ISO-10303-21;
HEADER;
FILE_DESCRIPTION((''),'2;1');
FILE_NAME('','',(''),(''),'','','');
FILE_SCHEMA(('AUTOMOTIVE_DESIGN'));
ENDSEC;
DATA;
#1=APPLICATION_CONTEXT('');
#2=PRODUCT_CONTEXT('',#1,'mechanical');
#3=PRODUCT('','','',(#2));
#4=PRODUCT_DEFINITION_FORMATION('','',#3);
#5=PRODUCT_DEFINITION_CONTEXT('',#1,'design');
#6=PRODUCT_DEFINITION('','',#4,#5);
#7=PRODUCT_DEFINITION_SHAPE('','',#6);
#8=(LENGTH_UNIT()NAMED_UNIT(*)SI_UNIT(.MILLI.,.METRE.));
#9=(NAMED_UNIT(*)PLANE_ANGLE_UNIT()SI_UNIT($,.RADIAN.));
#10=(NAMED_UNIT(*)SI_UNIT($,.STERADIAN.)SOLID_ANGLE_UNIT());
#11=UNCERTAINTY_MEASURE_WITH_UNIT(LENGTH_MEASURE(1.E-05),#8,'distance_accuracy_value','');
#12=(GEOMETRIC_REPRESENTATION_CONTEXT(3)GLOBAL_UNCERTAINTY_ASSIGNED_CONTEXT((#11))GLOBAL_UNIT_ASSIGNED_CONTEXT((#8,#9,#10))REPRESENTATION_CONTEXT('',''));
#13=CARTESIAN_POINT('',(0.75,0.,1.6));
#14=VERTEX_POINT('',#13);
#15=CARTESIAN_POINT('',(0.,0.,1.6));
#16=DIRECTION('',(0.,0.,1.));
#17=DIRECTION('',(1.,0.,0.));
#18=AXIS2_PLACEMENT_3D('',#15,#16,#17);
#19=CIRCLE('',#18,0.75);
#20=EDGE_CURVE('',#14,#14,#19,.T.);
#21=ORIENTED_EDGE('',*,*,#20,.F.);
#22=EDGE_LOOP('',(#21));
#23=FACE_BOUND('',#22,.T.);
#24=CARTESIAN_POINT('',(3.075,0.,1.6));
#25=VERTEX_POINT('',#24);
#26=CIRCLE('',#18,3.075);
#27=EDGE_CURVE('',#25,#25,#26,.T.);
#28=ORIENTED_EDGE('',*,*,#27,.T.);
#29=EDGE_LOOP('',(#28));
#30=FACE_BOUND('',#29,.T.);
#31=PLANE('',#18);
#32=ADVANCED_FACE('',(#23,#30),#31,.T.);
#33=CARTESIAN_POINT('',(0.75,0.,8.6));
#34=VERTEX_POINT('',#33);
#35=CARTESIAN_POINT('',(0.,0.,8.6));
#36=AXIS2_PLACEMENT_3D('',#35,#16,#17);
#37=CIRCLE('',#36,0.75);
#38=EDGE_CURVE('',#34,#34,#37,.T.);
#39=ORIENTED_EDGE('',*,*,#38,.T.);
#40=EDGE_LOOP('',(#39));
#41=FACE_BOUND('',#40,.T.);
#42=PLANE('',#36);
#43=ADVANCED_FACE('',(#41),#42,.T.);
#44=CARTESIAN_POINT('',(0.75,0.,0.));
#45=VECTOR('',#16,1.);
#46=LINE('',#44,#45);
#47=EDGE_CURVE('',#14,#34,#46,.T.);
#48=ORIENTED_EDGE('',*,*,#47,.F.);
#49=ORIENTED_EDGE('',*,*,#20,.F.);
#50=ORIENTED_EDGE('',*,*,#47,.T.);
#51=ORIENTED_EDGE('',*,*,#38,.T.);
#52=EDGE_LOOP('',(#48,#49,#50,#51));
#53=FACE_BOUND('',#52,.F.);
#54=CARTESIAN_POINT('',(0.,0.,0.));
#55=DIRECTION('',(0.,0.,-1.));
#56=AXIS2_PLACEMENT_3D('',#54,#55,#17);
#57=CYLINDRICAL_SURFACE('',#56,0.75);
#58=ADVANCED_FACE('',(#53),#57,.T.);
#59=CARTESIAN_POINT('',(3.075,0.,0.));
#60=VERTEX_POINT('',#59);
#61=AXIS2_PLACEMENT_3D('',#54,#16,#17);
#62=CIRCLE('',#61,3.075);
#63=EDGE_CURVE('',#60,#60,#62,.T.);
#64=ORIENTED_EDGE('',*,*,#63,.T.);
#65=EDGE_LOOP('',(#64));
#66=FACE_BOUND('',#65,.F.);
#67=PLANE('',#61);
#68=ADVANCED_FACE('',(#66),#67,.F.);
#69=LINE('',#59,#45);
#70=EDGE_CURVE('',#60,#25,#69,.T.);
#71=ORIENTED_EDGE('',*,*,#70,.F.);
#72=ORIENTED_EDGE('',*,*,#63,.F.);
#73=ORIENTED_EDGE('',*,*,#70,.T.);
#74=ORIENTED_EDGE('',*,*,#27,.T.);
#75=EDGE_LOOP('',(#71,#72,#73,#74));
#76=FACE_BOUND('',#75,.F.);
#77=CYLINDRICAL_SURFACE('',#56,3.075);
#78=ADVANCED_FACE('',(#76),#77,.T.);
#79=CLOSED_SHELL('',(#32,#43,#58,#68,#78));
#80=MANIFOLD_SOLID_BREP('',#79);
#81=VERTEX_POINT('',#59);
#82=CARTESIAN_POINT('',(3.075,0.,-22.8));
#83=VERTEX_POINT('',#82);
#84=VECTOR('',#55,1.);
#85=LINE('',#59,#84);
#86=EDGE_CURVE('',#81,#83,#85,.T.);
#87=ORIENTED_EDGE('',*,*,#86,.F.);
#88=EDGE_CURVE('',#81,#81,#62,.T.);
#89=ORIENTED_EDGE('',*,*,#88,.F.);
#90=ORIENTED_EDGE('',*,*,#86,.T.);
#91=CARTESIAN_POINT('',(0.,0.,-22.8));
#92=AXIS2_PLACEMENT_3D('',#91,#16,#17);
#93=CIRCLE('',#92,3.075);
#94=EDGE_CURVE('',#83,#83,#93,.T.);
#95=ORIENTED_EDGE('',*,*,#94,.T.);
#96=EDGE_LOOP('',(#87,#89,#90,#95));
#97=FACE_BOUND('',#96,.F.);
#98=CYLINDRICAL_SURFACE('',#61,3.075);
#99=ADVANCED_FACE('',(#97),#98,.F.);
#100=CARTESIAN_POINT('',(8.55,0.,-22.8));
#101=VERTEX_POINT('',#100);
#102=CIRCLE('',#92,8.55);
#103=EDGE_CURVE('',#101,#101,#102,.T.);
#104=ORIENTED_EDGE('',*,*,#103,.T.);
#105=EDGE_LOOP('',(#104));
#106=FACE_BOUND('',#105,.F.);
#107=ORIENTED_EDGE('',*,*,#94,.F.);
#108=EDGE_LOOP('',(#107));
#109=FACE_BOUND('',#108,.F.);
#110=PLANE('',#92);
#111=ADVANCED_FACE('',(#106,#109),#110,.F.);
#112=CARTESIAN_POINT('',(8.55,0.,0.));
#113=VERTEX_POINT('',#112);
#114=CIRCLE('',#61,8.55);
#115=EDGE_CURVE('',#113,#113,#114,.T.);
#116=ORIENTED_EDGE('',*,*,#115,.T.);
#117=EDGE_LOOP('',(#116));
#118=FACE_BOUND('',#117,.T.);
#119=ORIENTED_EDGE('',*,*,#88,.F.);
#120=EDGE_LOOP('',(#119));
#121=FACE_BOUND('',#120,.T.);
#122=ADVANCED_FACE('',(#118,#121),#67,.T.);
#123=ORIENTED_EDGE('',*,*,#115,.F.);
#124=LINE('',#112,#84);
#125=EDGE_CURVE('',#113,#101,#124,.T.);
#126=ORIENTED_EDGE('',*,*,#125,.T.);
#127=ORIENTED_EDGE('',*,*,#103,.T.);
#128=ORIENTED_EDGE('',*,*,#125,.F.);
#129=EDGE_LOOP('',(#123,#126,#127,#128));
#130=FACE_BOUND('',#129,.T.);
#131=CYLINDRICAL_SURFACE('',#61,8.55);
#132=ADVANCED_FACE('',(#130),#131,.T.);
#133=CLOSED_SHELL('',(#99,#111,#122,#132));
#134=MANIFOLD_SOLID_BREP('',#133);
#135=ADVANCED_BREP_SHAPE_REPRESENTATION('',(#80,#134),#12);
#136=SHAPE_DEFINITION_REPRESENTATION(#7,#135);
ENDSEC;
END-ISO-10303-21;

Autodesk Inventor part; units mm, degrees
ref_plane "YZ Plane" through (0, 0, 0) normal (1, 0, 0) x (0, 1, 0)
ref_plane "XZ Plane" through (0, 0, 0) normal (0, 1, 0) x (-1, 0, 0)
ref_plane "XY Plane" through (0, 0, 0) normal (0, 0, 1) x (1, 0, 0)
sketch "Sketch1" plane through (0, 0, 0) normal (0, 0, 1) x (1, 0, 0)
  circle A0 centre (0, 0) radius 8.55
  circle A1 centre (0, 0) radius 3.075
  circle A2 centre (0, 0) radius 0.75
  dimension "d0" = 17.1
  dimension "d1" = 6.15
  dimension "d2" = 1.5
extrude "Extrusion1" add sketch "Sketch1" against normal blind 22.8 contours A0
extrude "Extrusion2" add sketch "Sketch1" along normal blind 1.6 contours A1
extrude "Extrusion3" add sketch "Sketch1" along normal blind 8.6 contours A2
properties part number "motor kipas"
